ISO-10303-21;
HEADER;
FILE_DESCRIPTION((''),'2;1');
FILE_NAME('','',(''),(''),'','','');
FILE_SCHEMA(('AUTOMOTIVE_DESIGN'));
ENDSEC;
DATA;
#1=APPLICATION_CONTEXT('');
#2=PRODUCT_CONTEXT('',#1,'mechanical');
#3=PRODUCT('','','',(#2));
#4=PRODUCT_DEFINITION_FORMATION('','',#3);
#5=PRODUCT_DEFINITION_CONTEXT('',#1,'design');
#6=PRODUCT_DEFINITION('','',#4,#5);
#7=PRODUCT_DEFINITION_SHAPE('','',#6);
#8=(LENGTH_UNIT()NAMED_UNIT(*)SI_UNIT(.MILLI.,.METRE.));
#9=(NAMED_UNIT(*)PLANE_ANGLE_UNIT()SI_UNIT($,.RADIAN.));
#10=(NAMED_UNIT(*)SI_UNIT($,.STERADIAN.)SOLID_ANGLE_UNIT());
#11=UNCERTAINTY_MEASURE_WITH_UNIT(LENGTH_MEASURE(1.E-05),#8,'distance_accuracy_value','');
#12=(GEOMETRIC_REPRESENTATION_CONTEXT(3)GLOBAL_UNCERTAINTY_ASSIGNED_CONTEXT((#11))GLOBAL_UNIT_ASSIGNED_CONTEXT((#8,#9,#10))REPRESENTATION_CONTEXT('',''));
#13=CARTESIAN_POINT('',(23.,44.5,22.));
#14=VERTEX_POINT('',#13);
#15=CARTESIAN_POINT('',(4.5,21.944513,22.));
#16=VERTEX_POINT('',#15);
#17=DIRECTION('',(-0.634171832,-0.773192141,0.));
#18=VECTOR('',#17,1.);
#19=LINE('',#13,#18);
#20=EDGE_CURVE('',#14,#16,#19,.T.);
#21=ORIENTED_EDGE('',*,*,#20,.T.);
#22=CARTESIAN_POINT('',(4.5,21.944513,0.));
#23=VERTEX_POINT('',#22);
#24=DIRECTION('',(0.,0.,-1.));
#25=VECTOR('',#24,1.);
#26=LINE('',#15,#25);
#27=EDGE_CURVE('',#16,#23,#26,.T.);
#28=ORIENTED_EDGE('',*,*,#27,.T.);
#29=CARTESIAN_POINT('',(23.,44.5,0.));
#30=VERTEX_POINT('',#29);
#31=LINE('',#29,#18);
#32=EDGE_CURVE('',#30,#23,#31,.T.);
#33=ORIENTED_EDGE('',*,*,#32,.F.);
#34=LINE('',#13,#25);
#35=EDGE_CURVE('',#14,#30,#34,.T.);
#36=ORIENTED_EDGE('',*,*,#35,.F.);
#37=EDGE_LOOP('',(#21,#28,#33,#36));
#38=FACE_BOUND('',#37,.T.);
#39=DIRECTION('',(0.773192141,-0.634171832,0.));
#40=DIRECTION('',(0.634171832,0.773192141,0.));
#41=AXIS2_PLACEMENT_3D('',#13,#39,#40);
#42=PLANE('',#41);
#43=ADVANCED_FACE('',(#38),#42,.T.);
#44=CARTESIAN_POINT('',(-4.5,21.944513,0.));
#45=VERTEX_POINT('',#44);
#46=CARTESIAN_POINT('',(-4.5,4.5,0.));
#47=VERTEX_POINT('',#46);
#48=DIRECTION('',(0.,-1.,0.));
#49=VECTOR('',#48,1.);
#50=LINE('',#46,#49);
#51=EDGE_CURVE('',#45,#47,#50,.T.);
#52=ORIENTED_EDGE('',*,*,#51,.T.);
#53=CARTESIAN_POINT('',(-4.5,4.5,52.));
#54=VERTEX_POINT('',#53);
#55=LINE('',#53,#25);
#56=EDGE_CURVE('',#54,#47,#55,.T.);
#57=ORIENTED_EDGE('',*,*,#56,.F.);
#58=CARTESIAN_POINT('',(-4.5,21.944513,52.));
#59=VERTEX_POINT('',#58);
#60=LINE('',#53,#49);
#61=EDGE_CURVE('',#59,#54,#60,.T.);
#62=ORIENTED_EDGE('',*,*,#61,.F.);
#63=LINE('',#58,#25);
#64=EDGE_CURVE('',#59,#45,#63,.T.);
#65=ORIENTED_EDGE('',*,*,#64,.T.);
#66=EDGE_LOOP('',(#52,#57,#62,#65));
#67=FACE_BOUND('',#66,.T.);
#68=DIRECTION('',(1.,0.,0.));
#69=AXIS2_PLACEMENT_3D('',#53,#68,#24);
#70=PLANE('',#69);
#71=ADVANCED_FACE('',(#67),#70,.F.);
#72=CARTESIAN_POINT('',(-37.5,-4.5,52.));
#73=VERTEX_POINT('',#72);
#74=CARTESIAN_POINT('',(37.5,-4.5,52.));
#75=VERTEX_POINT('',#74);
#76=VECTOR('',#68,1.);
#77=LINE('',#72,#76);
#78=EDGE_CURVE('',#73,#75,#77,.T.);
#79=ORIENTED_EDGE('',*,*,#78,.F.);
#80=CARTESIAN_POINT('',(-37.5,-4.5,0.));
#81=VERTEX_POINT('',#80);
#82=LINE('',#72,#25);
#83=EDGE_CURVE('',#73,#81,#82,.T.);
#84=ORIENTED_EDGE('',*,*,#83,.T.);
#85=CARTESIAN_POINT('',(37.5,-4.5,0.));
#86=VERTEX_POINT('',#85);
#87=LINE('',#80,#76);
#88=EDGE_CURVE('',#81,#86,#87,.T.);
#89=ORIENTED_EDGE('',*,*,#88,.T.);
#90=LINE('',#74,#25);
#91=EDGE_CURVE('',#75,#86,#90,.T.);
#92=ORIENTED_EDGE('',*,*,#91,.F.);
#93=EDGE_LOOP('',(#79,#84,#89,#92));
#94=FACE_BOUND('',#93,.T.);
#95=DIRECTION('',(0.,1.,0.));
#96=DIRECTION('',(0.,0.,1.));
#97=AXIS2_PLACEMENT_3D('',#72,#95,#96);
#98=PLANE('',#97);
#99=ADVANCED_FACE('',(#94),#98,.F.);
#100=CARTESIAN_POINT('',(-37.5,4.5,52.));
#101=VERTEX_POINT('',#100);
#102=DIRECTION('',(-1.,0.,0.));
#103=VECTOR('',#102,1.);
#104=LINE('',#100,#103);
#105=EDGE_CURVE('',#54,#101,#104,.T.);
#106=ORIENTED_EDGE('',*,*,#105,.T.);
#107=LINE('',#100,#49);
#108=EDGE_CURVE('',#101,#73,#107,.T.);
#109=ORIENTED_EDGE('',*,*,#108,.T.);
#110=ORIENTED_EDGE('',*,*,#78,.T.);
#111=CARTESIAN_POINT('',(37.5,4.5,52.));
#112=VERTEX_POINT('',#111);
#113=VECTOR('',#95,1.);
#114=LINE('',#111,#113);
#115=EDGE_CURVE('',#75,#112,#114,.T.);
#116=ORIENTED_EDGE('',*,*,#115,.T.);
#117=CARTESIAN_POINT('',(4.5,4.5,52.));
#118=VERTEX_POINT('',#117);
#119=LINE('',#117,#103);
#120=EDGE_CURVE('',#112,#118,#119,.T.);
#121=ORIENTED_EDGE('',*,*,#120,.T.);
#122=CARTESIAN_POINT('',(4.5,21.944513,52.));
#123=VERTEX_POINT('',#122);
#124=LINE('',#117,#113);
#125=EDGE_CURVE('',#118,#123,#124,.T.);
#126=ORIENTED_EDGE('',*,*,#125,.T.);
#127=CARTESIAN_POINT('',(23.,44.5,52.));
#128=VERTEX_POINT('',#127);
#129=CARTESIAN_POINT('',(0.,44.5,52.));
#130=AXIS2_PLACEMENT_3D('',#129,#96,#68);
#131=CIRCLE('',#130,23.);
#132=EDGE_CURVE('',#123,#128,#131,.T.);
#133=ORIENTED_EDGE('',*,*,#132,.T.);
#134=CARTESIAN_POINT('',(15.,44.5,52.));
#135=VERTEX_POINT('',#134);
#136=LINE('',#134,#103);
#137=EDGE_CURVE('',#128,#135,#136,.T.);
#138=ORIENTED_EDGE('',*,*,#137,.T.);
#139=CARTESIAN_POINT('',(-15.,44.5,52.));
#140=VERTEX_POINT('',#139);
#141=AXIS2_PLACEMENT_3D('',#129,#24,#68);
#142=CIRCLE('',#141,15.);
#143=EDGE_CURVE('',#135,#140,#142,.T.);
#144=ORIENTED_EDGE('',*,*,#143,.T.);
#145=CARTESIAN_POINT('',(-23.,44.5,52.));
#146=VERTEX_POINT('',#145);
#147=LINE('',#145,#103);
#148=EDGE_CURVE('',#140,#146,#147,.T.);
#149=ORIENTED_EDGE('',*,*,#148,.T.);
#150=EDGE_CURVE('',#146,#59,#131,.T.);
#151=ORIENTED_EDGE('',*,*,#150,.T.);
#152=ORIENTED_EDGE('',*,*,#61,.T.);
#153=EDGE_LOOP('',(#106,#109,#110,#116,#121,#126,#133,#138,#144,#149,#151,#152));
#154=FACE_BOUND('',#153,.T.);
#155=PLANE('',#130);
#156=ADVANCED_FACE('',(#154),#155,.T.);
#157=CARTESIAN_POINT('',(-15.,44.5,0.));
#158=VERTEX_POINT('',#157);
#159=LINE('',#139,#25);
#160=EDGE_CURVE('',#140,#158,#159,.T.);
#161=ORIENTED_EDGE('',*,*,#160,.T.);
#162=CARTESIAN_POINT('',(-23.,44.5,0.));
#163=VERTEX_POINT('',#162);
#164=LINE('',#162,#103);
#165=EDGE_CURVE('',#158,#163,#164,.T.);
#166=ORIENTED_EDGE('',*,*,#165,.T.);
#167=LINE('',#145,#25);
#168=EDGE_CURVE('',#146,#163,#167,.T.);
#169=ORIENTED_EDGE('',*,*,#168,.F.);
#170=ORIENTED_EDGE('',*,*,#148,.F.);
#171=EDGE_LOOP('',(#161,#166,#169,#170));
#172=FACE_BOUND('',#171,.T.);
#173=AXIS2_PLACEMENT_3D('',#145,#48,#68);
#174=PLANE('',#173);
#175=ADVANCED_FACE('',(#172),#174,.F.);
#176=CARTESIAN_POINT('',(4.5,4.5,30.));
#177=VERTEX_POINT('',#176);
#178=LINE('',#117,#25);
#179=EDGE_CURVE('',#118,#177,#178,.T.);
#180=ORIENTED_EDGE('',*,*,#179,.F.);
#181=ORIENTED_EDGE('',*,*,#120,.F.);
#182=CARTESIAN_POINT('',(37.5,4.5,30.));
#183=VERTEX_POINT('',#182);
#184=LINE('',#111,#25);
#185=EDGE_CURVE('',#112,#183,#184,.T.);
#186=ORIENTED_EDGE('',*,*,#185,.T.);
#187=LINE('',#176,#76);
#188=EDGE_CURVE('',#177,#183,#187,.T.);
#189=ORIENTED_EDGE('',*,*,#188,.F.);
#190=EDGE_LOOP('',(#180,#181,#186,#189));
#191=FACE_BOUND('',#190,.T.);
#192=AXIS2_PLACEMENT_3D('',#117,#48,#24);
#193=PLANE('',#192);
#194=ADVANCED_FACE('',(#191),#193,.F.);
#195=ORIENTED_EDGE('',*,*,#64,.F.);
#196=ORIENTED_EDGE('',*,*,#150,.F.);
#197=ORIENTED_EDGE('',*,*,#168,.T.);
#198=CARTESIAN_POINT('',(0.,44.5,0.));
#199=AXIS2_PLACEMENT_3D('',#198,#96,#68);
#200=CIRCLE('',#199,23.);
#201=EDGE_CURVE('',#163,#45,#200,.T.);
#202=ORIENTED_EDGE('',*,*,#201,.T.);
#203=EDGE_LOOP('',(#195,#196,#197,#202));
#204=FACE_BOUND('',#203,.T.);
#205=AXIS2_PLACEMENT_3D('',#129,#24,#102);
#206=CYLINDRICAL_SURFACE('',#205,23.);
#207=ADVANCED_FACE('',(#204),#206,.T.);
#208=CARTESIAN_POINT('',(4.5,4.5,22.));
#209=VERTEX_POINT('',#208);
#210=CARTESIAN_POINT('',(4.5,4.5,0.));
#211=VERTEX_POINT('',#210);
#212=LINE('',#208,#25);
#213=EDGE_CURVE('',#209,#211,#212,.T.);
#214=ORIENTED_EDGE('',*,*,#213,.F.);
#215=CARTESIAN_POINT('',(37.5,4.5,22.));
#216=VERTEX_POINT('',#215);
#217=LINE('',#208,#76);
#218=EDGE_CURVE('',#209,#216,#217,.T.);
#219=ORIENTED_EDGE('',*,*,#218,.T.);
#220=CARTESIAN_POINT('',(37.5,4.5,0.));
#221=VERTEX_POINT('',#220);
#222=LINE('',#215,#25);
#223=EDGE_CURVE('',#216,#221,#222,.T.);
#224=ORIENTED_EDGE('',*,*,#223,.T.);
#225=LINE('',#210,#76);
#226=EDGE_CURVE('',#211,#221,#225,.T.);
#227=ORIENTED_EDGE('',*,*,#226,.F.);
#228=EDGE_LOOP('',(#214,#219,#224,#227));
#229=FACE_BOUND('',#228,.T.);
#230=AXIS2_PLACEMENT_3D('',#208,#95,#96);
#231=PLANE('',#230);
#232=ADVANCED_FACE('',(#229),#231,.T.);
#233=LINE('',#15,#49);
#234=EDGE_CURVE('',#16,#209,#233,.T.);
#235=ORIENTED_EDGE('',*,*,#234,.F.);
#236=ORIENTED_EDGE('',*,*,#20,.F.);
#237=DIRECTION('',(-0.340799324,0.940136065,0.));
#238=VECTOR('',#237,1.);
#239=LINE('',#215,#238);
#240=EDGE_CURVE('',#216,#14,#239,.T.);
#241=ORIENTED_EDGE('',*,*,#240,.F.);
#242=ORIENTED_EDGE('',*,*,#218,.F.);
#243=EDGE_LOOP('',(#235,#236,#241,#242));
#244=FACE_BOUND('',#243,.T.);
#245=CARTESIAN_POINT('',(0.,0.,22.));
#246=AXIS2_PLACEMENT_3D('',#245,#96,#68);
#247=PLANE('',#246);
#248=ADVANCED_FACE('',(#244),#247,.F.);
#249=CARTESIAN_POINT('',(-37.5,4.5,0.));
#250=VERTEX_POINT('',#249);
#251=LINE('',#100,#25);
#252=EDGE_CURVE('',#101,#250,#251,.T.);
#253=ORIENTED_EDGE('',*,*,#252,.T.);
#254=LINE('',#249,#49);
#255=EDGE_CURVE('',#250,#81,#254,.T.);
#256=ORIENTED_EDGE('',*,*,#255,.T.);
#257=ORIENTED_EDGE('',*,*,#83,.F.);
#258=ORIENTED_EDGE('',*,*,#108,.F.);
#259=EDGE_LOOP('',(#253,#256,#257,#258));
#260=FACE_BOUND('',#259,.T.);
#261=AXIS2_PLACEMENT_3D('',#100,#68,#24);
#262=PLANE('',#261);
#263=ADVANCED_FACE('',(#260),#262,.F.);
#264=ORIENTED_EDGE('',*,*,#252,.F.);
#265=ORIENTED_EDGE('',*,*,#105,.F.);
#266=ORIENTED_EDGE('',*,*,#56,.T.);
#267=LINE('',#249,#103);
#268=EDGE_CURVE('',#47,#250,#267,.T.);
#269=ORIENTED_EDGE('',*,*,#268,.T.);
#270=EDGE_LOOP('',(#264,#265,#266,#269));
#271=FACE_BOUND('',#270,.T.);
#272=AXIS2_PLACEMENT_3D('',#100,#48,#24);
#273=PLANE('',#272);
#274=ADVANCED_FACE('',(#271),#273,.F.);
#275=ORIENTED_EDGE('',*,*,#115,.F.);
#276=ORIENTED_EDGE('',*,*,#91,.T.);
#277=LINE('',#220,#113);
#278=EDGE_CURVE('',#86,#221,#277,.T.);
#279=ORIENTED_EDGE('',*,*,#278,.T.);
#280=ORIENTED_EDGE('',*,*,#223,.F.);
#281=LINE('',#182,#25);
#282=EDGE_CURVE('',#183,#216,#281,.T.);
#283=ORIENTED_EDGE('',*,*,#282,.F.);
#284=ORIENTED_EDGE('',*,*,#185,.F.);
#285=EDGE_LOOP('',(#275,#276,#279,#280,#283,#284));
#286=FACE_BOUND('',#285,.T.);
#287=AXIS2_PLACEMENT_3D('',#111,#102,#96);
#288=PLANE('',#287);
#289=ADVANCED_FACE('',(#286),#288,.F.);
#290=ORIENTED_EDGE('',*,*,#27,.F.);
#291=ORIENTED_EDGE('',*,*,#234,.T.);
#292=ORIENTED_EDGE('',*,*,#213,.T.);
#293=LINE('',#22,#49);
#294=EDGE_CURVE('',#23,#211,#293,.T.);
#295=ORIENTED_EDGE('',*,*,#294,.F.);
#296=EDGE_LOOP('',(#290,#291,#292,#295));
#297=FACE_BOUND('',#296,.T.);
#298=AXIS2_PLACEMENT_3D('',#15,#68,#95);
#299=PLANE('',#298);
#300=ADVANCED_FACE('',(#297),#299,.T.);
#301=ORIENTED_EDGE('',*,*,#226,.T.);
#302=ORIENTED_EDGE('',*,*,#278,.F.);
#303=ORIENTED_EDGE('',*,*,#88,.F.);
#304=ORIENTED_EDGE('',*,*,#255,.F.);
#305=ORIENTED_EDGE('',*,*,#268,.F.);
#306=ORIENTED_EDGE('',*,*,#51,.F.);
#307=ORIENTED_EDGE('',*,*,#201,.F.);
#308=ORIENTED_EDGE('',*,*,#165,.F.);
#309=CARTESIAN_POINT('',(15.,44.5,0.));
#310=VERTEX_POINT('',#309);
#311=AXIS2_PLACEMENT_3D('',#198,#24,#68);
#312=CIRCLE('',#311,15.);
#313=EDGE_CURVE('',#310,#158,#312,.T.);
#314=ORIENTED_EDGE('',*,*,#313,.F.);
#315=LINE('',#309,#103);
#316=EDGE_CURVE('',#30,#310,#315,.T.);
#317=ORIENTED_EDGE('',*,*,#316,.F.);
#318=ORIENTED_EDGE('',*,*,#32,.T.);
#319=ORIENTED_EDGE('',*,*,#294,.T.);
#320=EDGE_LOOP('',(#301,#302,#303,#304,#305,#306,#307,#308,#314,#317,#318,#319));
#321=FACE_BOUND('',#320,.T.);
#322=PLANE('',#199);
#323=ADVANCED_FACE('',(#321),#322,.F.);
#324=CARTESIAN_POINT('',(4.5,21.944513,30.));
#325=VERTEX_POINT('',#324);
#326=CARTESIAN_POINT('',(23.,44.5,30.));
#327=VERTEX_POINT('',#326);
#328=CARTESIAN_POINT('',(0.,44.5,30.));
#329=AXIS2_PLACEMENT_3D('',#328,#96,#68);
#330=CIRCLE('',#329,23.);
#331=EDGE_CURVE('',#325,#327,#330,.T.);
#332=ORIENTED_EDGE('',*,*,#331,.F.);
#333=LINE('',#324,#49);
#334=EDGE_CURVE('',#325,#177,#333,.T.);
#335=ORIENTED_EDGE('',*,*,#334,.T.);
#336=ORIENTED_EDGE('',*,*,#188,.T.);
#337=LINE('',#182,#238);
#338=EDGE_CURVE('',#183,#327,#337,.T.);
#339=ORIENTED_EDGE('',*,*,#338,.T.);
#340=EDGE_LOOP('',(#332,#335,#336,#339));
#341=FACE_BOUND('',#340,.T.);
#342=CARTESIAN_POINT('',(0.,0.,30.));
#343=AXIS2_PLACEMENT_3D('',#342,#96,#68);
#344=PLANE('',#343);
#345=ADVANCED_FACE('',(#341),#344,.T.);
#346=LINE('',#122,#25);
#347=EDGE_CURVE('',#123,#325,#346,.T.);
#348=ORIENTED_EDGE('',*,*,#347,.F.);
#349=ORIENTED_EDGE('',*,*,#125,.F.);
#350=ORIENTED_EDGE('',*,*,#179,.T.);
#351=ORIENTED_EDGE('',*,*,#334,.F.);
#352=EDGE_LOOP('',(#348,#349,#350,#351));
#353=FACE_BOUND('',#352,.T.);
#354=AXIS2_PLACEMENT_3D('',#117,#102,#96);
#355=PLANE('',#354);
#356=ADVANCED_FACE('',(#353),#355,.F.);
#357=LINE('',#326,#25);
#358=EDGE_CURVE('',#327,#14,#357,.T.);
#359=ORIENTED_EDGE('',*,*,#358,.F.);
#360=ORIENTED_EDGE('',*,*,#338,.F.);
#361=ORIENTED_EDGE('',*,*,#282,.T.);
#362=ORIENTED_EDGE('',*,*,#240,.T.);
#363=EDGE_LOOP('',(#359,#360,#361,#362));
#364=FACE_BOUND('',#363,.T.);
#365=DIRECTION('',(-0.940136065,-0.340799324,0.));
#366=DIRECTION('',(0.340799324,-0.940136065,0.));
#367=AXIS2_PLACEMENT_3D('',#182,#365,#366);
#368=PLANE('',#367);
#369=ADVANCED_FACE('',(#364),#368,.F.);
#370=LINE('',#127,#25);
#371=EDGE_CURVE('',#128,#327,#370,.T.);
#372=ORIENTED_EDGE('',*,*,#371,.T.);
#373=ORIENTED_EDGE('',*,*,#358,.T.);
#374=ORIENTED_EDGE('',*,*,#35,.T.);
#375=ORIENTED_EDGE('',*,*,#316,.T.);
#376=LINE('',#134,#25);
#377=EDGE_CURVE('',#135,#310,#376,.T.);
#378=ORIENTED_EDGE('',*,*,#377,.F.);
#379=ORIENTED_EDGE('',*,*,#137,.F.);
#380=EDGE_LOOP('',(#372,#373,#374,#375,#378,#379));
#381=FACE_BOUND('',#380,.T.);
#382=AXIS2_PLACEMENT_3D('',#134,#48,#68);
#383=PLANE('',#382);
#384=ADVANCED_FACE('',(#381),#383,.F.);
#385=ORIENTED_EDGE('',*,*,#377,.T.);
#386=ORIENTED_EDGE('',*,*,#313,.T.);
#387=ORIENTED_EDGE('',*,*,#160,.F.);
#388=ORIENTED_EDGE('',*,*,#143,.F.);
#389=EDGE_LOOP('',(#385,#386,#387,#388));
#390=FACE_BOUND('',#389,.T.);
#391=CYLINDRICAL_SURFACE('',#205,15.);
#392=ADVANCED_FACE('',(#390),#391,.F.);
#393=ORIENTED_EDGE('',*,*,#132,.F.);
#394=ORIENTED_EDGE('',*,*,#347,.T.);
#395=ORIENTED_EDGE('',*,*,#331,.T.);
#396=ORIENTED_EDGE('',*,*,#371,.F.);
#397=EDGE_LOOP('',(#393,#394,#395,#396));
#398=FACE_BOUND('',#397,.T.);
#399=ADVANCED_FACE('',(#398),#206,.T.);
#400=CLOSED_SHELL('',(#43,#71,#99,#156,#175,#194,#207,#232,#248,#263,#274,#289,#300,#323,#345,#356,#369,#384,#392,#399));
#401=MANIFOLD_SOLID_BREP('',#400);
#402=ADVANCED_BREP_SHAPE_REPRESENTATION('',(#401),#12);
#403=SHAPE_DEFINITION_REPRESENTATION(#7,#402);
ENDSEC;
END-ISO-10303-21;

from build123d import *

# Parameters (mm, degrees)
BOSS_EXTRUDE3_DEPTH = 52
BOSS_EXTRUDE4_DEPTH = 30
CUT_EXTRUDE1_DEPTH  = 22


with BuildPart() as part:
    # Sketch4 → Boss-Extrude3 (new body)
    with BuildSketch(Plane.XY):
        with BuildLine():
            Line((-37.5, 4.5), (-4.5, 4.5))
            Line((-4.5, 4.5), (-4.5, 21.944512863))
            ThreePointArc((-4.5, 21.944512863), (-17.783419244, 29.914047854), (-23, 44.5))
            Line((-23, 44.5), (-15, 44.5))
            ThreePointArc((-15, 44.5), (0, 29.5), (15, 44.5))
            Line((15, 44.5), (23, 44.5))
            ThreePointArc((23, 44.5), (17.783419244, 29.914047854), (4.5, 21.944512863))
            Line((4.5, 21.944512863), (4.5, 4.5))
            Line((4.5, 4.5), (37.5, 4.5))
            Line((37.5, 4.5), (37.5, -4.5))
            Line((37.5, -4.5), (-37.5, -4.5))
            Line((-37.5, -4.5), (-37.5, 4.5))
        make_face()
    extrude(amount=BOSS_EXTRUDE3_DEPTH)

    # Sketch5 → Boss-Extrude4 (add)
    with BuildSketch(Plane.XY):
        Polygon((4.5, 4.5), (37.5, 4.5), (23, 44.5), (4.5, 21.944512863), align=None)
    extrude(amount=BOSS_EXTRUDE4_DEPTH)

    # Sketch5<2> → Cut-Extrude1 (cut)
    with BuildSketch(Plane.XY):
        Polygon((4.5, 4.5), (37.5, 4.5), (23, 44.5), (4.5, 21.944512863), align=None)
    extrude(amount=CUT_EXTRUDE1_DEPTH, mode=Mode.SUBTRACT)


solid = part.part
